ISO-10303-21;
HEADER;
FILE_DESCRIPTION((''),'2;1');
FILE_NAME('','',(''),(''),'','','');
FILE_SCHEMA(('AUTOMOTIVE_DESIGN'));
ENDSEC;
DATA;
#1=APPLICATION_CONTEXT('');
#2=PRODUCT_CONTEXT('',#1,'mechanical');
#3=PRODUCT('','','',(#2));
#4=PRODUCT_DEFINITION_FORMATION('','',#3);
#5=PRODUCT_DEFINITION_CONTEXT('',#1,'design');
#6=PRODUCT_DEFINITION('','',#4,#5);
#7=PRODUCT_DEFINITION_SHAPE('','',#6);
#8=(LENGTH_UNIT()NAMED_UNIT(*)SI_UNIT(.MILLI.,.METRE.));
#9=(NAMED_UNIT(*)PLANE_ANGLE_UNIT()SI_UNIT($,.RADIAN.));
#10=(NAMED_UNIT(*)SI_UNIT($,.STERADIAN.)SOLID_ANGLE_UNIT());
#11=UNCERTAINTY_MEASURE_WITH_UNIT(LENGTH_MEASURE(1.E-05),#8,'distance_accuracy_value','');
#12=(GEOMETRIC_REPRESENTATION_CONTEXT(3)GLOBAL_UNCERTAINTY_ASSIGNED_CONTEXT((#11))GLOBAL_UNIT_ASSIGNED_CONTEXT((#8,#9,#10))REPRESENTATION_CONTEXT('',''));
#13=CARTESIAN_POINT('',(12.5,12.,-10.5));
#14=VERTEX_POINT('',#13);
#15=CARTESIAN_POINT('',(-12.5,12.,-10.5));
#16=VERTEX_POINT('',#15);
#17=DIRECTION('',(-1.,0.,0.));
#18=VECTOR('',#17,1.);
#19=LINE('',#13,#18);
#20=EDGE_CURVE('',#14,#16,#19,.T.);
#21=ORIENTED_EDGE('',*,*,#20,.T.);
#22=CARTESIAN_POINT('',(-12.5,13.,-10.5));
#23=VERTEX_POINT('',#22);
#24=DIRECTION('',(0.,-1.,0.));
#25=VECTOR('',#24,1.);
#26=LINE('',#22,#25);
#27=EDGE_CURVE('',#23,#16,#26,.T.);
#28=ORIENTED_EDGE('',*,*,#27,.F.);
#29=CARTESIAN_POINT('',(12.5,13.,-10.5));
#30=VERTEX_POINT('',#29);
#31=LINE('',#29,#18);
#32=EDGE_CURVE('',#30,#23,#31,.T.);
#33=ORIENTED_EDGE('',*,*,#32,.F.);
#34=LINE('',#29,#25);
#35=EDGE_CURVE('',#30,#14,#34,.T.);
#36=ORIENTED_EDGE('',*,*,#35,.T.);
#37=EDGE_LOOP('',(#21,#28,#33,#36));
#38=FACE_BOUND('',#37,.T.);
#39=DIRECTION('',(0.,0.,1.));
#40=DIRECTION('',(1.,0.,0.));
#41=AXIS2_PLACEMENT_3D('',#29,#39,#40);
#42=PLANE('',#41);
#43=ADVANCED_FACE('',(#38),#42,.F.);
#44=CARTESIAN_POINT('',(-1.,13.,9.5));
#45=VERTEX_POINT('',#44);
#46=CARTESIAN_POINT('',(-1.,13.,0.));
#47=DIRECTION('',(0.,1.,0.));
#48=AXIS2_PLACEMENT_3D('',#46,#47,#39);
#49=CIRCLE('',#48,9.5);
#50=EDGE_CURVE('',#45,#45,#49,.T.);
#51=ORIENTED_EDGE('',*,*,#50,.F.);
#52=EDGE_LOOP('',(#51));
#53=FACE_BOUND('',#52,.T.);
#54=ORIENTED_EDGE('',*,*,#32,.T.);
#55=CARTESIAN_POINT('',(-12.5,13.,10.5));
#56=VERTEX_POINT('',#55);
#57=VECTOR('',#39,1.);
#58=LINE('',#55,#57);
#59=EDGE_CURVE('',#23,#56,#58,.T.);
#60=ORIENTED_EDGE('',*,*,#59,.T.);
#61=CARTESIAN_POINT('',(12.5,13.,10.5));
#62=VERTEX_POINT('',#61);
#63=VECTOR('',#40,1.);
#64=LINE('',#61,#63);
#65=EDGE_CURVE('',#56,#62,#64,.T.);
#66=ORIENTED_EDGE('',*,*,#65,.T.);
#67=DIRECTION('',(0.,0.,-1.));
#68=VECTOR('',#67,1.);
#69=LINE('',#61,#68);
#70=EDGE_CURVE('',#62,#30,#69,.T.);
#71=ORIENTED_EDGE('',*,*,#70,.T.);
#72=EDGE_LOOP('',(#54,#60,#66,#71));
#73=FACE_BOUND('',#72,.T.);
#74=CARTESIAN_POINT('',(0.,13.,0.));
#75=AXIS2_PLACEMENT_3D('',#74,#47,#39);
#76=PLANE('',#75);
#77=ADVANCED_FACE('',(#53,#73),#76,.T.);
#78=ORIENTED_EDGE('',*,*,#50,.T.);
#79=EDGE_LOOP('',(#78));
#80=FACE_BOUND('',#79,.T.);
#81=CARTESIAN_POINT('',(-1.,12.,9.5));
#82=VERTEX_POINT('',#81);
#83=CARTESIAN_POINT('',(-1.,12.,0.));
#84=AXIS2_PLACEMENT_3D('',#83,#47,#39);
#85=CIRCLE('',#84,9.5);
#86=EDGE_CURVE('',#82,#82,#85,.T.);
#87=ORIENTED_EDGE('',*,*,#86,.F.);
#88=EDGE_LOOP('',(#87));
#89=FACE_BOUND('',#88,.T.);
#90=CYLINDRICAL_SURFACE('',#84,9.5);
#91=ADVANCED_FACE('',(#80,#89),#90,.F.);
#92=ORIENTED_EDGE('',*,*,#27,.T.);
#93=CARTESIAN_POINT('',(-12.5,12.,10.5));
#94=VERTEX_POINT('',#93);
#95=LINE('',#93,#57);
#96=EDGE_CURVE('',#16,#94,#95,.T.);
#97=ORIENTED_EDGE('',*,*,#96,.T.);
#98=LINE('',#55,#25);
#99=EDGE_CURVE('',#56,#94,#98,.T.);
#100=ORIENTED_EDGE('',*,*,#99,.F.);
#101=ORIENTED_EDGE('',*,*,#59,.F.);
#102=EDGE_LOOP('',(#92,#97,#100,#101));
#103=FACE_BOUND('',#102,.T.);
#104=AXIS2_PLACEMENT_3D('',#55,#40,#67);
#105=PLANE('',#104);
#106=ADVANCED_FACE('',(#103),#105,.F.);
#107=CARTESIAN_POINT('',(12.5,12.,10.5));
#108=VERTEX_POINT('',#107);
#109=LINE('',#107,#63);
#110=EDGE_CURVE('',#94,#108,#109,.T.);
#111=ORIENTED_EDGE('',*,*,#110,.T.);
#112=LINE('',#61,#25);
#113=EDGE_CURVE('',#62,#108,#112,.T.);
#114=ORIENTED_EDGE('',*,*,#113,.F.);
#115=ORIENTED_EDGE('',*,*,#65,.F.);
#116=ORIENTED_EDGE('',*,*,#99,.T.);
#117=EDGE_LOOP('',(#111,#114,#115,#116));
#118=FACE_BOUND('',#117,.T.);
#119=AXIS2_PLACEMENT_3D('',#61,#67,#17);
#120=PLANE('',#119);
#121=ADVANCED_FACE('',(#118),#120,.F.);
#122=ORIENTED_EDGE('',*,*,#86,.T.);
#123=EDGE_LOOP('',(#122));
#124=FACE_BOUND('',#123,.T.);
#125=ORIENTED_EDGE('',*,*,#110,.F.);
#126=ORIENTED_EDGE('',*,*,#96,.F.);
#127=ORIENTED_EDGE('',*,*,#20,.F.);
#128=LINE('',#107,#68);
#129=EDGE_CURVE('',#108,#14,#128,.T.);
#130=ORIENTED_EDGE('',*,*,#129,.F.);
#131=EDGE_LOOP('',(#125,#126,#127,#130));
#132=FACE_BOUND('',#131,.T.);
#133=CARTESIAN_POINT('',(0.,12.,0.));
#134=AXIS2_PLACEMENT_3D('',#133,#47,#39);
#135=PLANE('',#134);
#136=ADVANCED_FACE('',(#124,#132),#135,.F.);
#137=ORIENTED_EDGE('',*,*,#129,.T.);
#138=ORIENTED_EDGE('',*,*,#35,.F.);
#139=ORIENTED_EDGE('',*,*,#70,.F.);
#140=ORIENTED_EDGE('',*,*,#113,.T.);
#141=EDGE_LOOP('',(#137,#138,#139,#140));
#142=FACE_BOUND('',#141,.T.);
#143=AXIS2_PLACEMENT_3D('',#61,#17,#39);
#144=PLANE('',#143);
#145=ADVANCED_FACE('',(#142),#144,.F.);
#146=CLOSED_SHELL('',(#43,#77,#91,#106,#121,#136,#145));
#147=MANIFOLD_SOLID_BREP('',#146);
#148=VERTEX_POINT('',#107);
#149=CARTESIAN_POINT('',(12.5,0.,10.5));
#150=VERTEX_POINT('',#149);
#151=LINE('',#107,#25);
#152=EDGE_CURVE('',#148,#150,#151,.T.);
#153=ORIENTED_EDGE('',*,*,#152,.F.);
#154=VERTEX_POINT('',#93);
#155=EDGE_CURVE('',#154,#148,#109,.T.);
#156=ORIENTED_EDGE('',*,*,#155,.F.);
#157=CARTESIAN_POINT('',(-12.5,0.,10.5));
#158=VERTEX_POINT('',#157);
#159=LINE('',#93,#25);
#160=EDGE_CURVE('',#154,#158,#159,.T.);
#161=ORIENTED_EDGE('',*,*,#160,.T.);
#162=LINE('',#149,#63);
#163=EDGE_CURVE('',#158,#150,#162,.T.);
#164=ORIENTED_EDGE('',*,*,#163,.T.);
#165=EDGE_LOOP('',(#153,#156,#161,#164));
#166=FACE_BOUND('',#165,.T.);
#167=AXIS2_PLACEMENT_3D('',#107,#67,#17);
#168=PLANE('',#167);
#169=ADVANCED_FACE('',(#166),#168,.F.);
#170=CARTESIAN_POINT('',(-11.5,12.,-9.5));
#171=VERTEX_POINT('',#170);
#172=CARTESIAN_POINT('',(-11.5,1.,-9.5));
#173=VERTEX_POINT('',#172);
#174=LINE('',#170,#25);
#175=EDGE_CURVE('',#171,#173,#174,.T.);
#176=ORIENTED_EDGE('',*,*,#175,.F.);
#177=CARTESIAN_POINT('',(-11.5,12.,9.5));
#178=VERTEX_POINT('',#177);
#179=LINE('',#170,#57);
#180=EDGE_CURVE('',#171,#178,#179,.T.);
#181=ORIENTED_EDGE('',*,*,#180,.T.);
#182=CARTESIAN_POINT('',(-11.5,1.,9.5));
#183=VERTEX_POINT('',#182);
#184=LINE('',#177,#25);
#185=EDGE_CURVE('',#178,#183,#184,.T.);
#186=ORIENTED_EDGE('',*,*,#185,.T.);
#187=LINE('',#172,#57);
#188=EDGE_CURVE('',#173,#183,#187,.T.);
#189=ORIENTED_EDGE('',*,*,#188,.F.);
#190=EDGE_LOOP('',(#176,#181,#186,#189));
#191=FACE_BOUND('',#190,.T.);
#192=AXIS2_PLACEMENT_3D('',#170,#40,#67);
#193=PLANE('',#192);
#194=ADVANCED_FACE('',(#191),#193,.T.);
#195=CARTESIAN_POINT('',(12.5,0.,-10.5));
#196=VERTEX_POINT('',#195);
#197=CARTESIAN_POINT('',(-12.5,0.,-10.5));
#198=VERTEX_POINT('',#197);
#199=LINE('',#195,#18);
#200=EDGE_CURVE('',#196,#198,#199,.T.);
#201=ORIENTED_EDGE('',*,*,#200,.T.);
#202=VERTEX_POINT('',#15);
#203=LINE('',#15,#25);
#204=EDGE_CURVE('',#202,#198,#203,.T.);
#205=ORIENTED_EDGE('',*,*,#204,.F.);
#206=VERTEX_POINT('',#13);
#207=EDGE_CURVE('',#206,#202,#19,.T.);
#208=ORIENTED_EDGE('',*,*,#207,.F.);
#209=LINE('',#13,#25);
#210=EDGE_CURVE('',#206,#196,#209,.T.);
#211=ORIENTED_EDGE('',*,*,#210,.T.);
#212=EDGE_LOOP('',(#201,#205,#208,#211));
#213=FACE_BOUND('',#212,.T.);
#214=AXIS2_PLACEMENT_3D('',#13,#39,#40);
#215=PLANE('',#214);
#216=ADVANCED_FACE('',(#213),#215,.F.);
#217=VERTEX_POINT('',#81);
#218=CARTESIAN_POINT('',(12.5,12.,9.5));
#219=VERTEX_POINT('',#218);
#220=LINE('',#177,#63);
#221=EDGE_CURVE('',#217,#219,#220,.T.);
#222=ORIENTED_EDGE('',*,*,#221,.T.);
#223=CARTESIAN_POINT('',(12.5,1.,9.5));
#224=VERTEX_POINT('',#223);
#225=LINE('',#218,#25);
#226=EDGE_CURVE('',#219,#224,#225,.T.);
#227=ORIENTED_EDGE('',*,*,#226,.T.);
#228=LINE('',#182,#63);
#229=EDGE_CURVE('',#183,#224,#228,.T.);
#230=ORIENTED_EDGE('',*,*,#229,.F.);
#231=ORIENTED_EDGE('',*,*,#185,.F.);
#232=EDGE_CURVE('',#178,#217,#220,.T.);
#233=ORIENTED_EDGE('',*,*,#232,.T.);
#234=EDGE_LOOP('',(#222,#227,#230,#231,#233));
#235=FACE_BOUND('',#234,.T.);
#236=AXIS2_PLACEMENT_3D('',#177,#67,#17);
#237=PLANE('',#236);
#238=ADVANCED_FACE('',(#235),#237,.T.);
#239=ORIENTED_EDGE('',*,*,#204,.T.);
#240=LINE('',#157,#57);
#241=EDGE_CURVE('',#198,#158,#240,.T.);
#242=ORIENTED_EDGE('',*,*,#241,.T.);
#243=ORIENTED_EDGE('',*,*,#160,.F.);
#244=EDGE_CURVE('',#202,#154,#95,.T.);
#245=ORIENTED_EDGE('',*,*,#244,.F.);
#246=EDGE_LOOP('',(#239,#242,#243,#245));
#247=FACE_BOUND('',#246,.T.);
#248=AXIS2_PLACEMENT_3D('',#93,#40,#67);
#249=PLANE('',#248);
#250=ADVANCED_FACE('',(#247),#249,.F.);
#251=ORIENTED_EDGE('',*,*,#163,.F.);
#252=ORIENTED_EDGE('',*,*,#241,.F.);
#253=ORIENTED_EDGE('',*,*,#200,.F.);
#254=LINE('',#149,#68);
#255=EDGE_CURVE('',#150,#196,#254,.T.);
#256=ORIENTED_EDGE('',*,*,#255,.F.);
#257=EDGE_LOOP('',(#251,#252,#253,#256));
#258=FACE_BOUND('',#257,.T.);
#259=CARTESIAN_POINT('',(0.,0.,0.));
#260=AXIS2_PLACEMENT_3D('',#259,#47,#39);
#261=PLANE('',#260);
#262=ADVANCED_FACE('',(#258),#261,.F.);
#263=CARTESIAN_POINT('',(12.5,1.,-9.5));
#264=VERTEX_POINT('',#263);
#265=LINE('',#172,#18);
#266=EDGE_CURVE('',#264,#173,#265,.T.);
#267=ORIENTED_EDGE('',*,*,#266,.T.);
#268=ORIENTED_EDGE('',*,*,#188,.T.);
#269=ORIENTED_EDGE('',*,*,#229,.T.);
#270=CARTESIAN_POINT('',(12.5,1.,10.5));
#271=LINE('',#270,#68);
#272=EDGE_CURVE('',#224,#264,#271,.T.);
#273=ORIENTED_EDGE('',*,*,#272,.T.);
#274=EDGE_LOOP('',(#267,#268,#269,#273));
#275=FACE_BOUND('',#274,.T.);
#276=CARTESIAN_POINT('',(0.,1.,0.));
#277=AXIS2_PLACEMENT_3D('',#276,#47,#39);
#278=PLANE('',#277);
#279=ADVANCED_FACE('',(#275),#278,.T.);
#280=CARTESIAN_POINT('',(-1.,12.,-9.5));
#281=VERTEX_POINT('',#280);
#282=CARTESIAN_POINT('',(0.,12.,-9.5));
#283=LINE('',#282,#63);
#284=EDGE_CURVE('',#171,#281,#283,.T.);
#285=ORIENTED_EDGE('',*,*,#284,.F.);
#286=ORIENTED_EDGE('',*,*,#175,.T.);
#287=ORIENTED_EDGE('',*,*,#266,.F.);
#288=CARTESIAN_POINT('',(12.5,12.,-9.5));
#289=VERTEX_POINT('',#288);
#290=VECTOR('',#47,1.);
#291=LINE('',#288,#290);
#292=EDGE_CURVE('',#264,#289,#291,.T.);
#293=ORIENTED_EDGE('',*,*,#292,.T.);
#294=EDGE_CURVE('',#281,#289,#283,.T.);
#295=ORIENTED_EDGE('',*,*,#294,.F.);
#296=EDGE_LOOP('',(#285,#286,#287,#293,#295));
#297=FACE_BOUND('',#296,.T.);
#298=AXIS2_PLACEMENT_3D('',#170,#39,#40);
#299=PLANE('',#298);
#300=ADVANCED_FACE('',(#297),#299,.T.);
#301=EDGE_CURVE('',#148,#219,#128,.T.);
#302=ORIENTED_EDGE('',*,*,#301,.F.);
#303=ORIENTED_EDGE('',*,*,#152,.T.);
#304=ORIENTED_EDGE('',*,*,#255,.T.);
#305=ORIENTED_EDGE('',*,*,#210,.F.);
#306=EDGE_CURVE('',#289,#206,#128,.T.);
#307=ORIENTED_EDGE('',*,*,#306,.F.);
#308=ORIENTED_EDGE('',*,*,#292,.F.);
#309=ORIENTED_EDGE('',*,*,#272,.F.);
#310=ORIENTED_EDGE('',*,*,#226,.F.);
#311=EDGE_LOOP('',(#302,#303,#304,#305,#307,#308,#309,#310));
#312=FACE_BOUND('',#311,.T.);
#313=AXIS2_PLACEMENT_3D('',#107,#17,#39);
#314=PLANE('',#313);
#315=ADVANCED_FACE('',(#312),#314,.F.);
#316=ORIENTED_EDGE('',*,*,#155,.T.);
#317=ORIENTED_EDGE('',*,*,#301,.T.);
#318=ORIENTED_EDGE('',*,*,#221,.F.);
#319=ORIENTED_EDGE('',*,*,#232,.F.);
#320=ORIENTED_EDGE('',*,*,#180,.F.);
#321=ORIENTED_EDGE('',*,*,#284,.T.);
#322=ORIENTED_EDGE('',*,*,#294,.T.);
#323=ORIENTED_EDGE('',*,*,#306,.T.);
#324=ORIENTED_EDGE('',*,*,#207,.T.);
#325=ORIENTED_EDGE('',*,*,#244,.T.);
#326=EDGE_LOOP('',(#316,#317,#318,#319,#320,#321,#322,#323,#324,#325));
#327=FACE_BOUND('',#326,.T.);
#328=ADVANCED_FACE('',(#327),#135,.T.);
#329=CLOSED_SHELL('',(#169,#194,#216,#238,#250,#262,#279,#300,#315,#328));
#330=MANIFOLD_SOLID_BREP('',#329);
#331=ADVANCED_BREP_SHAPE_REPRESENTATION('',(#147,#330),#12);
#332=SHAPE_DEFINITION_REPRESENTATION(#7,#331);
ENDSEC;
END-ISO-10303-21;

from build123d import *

# Parameters (mm, degrees)
SKETCH_1_W          = 25
SKETCH_1_H          = 21
EXTRUDE_1_DEPTH     = 12
CUT_EXTRUDE_START   = 1
SKETCH_2_W          = 25
SKETCH_2_H          = 19
CUT_EXTRUDE_1_DEPTH = 11
EXTRUDE_START       = 12
SKETCH_6_W          = 25
SKETCH_6_H          = 21
EXTRUDE_3_DEPTH     = 1
CUT_EXTRUDE_START_2 = 13
SKETCH_8_R          = 9.5
CUT_EXTRUDE_2_DEPTH = 1


with BuildPart() as part:
    # 스케치1 → 보스-돌출1 (new body)
    with BuildSketch(Plane(origin=(0, 0, 0), x_dir=(1, 0, 0), z_dir=(0, 1, 0))):
        Rectangle(SKETCH_1_W, SKETCH_1_H)
    extrude(amount=EXTRUDE_1_DEPTH)

    # 스케치2 → 컷-돌출1 (cut)
    with BuildSketch(Plane(origin=(0, 0, 0), x_dir=(1, 0, 0), z_dir=(0, 1, 0)).offset(CUT_EXTRUDE_START)):
        with Locations((1, 0)):
            Rectangle(SKETCH_2_W, SKETCH_2_H)
    extrude(amount=CUT_EXTRUDE_1_DEPTH, mode=Mode.SUBTRACT)


with BuildPart() as body_2:
    # 스케치6 → 보스-돌출3 (new body)
    with BuildSketch(Plane(origin=(0, 0, 0), x_dir=(1, 0, 0), z_dir=(0, 1, 0)).offset(EXTRUDE_START)):
        Rectangle(SKETCH_6_W, SKETCH_6_H)
    extrude(amount=EXTRUDE_3_DEPTH)

    # 스케치8 → 컷-돌출2 (cut)
    with BuildSketch(Plane(origin=(0, 0, 0), x_dir=(1, 0, 0), z_dir=(0, 1, 0)).offset(CUT_EXTRUDE_START_2)):
        with Locations(Location((-1, 0, 0), (0, 0, 270))):
            Circle(SKETCH_8_R)
    extrude(amount=-CUT_EXTRUDE_2_DEPTH, mode=Mode.SUBTRACT)


solid = Compound([part.part, body_2.part])
